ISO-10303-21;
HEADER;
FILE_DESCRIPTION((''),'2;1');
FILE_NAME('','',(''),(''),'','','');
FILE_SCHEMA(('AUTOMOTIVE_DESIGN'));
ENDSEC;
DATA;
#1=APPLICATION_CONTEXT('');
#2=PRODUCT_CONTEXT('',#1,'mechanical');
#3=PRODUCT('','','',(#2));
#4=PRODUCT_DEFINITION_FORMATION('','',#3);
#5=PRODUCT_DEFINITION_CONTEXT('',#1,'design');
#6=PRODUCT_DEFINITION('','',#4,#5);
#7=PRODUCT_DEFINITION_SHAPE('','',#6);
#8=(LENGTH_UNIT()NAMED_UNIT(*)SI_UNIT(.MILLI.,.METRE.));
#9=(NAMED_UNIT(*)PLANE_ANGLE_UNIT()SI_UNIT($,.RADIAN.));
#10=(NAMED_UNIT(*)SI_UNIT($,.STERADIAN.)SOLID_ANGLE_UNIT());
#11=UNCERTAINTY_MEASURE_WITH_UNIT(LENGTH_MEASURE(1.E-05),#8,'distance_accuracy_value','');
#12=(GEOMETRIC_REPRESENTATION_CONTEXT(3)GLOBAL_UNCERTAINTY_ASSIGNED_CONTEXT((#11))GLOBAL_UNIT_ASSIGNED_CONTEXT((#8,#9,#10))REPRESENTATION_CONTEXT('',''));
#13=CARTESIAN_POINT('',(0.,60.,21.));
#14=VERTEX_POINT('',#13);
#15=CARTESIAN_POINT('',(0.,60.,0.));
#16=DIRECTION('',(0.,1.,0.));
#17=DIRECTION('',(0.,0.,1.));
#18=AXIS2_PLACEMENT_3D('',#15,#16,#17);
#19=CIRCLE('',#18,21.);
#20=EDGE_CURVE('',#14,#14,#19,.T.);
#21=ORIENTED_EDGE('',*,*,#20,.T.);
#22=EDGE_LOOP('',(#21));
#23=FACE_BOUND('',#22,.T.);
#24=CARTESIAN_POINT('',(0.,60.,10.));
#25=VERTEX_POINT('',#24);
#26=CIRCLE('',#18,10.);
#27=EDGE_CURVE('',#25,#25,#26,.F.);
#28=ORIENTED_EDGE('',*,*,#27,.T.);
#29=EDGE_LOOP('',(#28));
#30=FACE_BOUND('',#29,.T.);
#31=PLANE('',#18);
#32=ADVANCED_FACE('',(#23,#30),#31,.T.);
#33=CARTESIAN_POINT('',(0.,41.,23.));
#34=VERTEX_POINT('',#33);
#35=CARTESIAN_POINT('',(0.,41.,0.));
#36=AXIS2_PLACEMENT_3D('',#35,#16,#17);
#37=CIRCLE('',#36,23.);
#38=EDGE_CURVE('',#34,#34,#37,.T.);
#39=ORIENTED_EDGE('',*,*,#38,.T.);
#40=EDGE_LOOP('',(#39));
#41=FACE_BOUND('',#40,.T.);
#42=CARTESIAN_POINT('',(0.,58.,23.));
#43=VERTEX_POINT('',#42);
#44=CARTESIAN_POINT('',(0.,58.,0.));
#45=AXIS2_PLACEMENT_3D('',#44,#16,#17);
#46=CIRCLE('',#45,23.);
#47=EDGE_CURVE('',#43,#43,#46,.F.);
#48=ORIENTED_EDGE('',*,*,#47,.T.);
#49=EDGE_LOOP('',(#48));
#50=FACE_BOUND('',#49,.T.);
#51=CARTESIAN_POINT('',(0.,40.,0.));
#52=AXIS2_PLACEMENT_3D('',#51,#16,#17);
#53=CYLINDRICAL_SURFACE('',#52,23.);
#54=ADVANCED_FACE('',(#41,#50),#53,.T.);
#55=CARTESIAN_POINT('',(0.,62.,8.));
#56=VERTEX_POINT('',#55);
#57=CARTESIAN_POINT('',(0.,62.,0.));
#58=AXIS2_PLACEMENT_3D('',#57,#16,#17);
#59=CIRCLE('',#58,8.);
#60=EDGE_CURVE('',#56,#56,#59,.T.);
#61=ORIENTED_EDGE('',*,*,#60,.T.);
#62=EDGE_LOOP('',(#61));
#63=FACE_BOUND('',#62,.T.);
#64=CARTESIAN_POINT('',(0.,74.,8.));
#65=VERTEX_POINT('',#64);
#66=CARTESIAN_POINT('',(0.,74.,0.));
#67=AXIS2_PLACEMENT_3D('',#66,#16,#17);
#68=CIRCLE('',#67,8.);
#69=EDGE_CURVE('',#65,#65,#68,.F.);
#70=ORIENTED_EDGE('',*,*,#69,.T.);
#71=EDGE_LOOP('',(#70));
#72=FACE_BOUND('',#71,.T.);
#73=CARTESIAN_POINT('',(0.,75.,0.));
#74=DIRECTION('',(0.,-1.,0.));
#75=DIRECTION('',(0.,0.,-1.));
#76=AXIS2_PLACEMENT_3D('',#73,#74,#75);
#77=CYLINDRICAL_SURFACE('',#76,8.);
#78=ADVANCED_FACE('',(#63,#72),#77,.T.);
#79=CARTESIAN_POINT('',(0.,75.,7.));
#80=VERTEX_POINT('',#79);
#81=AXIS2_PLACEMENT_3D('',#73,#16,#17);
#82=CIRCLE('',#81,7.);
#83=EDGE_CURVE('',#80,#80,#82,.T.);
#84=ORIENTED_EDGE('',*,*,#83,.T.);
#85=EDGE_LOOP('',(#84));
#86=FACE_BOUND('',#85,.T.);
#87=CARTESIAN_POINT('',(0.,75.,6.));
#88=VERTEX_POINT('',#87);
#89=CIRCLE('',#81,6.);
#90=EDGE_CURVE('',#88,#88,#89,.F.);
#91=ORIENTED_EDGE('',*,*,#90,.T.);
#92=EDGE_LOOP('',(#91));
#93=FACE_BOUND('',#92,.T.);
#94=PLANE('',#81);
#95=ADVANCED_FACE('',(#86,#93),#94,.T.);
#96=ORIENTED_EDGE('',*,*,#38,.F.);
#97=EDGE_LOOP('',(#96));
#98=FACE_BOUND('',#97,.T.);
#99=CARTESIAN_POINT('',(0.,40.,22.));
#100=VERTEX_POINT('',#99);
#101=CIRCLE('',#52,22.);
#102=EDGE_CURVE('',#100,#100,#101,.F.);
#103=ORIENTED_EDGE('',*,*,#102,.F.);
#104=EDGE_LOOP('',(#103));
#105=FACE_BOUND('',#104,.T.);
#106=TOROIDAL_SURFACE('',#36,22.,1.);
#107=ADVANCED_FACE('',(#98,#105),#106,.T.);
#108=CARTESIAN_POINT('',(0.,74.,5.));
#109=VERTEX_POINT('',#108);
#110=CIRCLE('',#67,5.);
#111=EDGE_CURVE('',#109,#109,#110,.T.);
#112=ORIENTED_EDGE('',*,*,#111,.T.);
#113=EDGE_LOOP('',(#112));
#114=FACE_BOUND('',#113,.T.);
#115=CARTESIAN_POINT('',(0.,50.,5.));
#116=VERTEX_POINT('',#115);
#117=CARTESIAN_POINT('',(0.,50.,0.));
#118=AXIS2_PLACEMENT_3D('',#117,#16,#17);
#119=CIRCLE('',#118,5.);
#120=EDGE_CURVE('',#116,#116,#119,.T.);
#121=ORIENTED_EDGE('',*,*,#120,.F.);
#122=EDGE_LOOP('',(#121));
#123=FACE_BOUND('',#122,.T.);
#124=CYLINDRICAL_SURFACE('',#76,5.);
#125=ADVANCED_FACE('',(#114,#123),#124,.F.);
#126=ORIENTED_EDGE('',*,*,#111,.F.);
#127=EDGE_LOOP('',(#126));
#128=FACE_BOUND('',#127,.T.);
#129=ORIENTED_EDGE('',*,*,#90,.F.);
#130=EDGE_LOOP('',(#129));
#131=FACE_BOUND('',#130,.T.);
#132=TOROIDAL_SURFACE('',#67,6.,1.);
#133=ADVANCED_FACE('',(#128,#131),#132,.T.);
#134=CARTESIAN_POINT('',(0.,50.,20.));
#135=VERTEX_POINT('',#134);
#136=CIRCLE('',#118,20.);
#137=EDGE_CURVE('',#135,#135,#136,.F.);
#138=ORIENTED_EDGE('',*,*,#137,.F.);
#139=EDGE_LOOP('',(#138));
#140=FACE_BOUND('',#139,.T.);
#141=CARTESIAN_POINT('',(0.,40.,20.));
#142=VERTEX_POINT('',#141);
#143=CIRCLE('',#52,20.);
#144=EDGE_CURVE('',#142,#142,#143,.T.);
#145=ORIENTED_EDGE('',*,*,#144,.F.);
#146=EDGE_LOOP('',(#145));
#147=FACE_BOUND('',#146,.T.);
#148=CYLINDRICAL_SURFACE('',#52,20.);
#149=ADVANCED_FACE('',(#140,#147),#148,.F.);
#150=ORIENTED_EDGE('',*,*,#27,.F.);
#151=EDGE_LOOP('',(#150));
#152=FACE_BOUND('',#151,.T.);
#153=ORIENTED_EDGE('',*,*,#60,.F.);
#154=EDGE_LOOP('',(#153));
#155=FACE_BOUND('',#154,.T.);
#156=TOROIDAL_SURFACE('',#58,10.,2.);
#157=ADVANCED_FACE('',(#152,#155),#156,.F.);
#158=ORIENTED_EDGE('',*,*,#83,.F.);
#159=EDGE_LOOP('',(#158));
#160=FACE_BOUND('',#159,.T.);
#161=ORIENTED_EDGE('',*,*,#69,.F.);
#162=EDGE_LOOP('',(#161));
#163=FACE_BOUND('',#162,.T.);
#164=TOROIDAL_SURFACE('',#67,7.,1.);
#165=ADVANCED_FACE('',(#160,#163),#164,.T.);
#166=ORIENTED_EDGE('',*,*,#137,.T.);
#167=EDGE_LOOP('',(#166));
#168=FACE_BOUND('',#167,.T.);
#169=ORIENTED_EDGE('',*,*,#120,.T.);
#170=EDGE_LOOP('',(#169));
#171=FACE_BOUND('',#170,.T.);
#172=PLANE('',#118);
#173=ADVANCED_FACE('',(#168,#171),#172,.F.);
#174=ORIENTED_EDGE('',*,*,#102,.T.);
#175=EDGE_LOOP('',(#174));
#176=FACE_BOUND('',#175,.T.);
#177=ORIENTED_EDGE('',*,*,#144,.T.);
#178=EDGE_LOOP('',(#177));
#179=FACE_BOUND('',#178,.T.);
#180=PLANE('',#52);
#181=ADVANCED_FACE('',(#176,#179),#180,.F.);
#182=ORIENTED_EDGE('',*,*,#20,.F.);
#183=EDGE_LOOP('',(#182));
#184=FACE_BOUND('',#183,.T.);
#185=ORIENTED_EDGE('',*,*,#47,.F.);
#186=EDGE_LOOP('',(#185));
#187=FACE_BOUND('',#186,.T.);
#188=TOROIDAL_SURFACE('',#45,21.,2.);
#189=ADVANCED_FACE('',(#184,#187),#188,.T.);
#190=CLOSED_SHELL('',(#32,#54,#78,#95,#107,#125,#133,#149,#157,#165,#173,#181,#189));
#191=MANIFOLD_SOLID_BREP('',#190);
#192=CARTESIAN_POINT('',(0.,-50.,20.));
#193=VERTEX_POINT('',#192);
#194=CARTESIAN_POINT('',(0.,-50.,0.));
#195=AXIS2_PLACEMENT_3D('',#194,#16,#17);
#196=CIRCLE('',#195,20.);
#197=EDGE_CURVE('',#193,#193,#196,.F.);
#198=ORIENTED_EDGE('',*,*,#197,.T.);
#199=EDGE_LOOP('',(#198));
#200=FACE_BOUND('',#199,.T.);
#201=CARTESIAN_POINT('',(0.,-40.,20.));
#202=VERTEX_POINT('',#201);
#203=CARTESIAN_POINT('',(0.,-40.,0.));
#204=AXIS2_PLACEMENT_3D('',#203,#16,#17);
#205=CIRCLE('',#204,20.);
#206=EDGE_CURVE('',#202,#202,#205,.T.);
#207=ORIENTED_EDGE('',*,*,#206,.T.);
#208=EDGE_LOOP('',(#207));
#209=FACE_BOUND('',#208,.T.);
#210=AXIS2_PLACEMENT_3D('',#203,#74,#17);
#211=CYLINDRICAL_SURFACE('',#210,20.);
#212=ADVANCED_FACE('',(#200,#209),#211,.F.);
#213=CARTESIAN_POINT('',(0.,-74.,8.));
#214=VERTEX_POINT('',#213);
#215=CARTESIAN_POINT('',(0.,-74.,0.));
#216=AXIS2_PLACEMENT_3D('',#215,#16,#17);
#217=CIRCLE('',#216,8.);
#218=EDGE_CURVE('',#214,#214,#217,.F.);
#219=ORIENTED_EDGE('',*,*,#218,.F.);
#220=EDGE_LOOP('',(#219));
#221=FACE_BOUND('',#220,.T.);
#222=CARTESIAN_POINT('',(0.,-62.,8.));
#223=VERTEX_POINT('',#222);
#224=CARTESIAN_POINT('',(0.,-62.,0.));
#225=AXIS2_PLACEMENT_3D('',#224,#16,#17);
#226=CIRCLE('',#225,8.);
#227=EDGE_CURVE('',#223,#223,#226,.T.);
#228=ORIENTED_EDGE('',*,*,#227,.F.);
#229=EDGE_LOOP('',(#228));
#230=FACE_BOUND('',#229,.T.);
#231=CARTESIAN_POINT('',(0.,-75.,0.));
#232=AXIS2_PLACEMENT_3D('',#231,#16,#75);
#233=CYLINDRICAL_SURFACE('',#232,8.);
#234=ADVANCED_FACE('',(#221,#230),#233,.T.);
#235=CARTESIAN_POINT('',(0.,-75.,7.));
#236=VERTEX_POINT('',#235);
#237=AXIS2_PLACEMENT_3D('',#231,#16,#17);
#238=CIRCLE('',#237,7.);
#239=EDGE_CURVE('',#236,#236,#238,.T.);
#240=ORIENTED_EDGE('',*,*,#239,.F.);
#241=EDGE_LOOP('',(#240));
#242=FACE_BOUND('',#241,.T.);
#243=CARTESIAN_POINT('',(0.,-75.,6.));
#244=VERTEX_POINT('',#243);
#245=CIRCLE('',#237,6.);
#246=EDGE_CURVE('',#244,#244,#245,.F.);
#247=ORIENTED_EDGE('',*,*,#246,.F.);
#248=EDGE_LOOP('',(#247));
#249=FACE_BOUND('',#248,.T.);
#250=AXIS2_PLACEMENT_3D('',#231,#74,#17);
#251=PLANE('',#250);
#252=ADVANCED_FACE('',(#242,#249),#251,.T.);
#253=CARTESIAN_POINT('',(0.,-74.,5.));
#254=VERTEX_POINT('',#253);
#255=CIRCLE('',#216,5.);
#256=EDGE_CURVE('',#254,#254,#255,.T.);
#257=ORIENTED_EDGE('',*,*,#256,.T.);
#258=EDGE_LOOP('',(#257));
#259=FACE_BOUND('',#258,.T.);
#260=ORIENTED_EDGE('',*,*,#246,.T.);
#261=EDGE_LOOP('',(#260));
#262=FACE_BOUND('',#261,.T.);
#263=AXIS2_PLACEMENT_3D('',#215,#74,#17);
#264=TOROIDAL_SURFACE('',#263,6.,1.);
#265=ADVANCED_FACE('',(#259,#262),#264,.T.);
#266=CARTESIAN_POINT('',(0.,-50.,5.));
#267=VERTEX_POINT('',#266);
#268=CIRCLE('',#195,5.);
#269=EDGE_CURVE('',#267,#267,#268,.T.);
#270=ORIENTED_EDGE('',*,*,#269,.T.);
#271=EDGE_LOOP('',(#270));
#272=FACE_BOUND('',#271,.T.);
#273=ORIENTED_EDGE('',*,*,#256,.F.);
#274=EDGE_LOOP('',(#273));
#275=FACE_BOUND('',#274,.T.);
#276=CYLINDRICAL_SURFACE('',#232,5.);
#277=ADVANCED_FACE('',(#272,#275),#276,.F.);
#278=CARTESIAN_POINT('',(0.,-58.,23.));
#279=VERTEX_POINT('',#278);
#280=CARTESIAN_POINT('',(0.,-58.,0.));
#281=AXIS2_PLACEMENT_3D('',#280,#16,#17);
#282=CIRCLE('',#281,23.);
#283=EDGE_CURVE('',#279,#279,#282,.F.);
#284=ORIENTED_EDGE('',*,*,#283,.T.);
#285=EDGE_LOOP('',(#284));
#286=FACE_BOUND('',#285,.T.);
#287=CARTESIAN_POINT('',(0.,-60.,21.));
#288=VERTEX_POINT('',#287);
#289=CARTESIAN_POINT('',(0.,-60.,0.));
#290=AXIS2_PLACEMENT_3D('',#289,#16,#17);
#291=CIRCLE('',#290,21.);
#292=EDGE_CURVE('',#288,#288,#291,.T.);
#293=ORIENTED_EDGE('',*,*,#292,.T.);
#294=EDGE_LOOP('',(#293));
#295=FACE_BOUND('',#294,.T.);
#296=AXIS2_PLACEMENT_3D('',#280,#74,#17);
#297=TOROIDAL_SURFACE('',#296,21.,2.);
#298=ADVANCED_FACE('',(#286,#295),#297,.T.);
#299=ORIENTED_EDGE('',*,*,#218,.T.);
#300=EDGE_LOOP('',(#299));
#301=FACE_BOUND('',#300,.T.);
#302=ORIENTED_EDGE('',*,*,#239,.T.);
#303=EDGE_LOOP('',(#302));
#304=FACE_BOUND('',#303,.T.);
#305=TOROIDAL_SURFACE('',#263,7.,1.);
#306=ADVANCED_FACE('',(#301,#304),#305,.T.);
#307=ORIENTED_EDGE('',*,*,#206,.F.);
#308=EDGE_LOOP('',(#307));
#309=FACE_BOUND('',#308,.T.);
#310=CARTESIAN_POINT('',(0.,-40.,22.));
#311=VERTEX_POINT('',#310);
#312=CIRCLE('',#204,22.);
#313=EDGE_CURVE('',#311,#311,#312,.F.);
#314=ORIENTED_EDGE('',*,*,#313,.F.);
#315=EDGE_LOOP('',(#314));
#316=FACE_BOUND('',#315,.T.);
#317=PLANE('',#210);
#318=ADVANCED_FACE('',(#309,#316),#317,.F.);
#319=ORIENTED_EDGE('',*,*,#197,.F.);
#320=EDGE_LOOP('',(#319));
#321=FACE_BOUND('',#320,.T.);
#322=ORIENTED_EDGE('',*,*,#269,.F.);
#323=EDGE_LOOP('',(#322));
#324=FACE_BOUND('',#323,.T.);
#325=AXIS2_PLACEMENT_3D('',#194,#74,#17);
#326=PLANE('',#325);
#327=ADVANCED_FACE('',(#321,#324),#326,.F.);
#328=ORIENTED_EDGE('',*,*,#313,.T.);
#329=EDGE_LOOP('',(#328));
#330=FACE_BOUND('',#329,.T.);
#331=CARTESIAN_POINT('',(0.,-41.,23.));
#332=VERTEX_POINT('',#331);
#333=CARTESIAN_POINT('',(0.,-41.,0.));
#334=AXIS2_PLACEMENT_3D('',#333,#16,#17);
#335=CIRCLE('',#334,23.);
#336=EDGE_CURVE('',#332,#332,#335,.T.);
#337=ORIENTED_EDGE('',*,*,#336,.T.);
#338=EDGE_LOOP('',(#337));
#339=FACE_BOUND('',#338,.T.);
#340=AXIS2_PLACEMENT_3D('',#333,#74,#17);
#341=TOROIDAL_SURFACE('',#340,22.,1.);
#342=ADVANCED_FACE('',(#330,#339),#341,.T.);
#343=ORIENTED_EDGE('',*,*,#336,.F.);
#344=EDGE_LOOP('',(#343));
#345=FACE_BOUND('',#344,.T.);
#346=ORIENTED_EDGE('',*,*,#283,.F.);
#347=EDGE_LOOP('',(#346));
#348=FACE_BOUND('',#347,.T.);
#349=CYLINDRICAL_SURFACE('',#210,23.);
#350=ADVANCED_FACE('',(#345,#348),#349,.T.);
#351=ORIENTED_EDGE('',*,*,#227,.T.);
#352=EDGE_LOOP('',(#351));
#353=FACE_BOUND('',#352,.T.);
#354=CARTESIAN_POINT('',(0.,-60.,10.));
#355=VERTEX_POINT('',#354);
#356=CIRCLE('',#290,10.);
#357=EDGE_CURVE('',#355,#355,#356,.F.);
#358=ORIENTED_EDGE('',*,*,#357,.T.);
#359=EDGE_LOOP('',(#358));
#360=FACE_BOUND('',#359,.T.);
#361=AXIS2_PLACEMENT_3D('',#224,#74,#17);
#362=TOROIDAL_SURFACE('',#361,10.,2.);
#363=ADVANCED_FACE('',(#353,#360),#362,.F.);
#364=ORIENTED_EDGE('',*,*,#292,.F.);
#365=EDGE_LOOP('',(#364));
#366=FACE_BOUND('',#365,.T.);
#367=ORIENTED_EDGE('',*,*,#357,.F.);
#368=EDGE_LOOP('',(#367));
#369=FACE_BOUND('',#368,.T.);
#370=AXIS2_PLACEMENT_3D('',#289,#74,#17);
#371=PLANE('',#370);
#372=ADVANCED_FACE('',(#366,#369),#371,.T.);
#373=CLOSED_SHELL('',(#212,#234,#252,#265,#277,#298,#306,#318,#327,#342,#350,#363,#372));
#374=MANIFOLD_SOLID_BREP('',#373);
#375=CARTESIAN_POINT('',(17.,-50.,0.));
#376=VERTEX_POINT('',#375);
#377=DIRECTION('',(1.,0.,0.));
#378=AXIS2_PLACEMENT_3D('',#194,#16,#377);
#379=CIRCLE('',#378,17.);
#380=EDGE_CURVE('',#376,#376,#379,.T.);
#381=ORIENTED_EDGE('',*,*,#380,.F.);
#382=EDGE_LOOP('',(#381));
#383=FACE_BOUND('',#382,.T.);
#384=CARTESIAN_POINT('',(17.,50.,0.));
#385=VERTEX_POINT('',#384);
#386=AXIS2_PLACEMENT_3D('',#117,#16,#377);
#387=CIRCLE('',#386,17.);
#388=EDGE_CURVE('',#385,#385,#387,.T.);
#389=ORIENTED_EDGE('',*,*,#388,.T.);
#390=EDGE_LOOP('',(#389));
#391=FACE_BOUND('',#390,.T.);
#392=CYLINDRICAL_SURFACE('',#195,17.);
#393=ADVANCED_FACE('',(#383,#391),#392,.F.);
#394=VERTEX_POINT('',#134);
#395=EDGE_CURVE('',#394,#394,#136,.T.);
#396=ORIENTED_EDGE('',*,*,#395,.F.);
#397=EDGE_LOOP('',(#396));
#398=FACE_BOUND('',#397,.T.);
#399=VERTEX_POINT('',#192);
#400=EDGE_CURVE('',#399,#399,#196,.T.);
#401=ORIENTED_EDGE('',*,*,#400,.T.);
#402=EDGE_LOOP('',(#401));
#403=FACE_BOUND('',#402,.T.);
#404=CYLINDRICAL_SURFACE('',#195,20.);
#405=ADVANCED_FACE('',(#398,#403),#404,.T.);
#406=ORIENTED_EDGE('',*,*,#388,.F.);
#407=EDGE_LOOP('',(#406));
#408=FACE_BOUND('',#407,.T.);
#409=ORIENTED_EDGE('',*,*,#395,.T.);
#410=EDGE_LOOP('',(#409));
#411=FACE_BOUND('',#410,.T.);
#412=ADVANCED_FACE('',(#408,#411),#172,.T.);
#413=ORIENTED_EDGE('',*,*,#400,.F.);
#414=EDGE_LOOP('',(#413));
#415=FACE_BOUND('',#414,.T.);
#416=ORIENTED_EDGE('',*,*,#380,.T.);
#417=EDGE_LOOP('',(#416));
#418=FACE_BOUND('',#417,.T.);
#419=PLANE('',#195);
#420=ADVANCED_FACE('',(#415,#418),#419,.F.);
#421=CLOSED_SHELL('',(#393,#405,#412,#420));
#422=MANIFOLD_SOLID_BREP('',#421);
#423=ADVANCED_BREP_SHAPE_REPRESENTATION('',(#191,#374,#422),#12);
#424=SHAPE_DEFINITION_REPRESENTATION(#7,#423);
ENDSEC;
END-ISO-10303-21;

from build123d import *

# Parameters (mm, degrees)
EXTRUIR_L_MINA1_DEPTH      = 50
EXTRUIR_L_MINA1_DEPTH_BACK = 50
CROQUIS1_R                 = 20
CROQUIS1_R_2               = 17
CROQUIS2_R                 = 23
CROQUIS2_R_2               = 20
EXTRUIR1_DEPTH             = 10
CROQUIS3_R                 = 23
EXTRUIR2_DEPTH             = 10
CROQUIS4_R                 = 8
CROQUIS4_R_2               = 5
EXTRUIR3_DEPTH             = 15
CROQUIS5_R                 = 5
EXTRUIR4_DEPTH             = 20
REDONDEO1_R                = 2
REDONDEO2_R                = 1


with BuildPart() as part:
    # Croquis1 → Extruir-Lámina1 (new, two sides: drawn at the far end of the back side and taken through both)
    with BuildSketch(Plane(origin=(0, 0, 0), x_dir=(1, 0, 0), z_dir=(0, 1, 0)).offset(-EXTRUIR_L_MINA1_DEPTH_BACK)):
        Circle(CROQUIS1_R)
        Circle(CROQUIS1_R_2, mode=Mode.SUBTRACT)
    extrude(amount=EXTRUIR_L_MINA1_DEPTH + EXTRUIR_L_MINA1_DEPTH_BACK)


with BuildPart() as body_2:
    # Croquis2 → Extruir1 (new body)
    with BuildSketch(Plane(origin=(0, 50, 0), x_dir=(1, 0, 0), z_dir=(0, 1, 0))):
        with Locations(Location((0, 0, 0), (0, 0, 270))):
            Circle(CROQUIS2_R)
        with Locations(Location((0, 0, 0), (0, 0, 270))):
            Circle(CROQUIS2_R_2, mode=Mode.SUBTRACT)
    extrude(amount=-EXTRUIR1_DEPTH)

    # Croquis3 → Extruir2 (add)
    with BuildSketch(Plane(origin=(0, 50, 0), x_dir=(1, 0, 0), z_dir=(0, 1, 0))):
        with Locations(Location((0, 0, 0), (0, 0, 270))):
            Circle(CROQUIS3_R)
    extrude(amount=EXTRUIR2_DEPTH)

    # Croquis4 → Extruir3 (add)
    with BuildSketch(Plane(origin=(0, 60, 0), x_dir=(1, 0, 0), z_dir=(0, 1, 0))):
        with Locations(Location((0, 0, 0), (0, 0, 270))):
            Circle(CROQUIS4_R)
        with Locations(Location((0, 0, 0), (0, 0, 270))):
            Circle(CROQUIS4_R_2, mode=Mode.SUBTRACT)
    extrude(amount=EXTRUIR3_DEPTH)

    # Croquis5 → Extruir4 (cut)
    with BuildSketch(Plane(origin=(0, 60, 0), x_dir=(1, 0, 0), z_dir=(0, 1, 0))):
        with Locations(Location((0, 0, 0), (0, 0, 270))):
            Circle(CROQUIS5_R)
    extrude(amount=-EXTRUIR4_DEPTH, mode=Mode.SUBTRACT)

    # Redondeo1
    redondeo1_edges = [body_2.edges().sort_by_distance(p)[0] for p in [
        (0, 60, -23),
        (0, 60, -8),
    ]]
    fillet(redondeo1_edges, radius=REDONDEO1_R)

    # Redondeo2
    redondeo2_edges = [body_2.edges().sort_by_distance(p)[0] for p in [
        (0, 75, -8),
        (0, 75, -5),
        (0, 40, -23),
    ]]
    fillet(redondeo2_edges, radius=REDONDEO2_R)


with BuildPart() as body_3:
    # Simetría1: mirrored copy
    add(body_2.part.mirror(Plane.ZX))


solid = Compound([part.part, body_2.part, body_3.part])
